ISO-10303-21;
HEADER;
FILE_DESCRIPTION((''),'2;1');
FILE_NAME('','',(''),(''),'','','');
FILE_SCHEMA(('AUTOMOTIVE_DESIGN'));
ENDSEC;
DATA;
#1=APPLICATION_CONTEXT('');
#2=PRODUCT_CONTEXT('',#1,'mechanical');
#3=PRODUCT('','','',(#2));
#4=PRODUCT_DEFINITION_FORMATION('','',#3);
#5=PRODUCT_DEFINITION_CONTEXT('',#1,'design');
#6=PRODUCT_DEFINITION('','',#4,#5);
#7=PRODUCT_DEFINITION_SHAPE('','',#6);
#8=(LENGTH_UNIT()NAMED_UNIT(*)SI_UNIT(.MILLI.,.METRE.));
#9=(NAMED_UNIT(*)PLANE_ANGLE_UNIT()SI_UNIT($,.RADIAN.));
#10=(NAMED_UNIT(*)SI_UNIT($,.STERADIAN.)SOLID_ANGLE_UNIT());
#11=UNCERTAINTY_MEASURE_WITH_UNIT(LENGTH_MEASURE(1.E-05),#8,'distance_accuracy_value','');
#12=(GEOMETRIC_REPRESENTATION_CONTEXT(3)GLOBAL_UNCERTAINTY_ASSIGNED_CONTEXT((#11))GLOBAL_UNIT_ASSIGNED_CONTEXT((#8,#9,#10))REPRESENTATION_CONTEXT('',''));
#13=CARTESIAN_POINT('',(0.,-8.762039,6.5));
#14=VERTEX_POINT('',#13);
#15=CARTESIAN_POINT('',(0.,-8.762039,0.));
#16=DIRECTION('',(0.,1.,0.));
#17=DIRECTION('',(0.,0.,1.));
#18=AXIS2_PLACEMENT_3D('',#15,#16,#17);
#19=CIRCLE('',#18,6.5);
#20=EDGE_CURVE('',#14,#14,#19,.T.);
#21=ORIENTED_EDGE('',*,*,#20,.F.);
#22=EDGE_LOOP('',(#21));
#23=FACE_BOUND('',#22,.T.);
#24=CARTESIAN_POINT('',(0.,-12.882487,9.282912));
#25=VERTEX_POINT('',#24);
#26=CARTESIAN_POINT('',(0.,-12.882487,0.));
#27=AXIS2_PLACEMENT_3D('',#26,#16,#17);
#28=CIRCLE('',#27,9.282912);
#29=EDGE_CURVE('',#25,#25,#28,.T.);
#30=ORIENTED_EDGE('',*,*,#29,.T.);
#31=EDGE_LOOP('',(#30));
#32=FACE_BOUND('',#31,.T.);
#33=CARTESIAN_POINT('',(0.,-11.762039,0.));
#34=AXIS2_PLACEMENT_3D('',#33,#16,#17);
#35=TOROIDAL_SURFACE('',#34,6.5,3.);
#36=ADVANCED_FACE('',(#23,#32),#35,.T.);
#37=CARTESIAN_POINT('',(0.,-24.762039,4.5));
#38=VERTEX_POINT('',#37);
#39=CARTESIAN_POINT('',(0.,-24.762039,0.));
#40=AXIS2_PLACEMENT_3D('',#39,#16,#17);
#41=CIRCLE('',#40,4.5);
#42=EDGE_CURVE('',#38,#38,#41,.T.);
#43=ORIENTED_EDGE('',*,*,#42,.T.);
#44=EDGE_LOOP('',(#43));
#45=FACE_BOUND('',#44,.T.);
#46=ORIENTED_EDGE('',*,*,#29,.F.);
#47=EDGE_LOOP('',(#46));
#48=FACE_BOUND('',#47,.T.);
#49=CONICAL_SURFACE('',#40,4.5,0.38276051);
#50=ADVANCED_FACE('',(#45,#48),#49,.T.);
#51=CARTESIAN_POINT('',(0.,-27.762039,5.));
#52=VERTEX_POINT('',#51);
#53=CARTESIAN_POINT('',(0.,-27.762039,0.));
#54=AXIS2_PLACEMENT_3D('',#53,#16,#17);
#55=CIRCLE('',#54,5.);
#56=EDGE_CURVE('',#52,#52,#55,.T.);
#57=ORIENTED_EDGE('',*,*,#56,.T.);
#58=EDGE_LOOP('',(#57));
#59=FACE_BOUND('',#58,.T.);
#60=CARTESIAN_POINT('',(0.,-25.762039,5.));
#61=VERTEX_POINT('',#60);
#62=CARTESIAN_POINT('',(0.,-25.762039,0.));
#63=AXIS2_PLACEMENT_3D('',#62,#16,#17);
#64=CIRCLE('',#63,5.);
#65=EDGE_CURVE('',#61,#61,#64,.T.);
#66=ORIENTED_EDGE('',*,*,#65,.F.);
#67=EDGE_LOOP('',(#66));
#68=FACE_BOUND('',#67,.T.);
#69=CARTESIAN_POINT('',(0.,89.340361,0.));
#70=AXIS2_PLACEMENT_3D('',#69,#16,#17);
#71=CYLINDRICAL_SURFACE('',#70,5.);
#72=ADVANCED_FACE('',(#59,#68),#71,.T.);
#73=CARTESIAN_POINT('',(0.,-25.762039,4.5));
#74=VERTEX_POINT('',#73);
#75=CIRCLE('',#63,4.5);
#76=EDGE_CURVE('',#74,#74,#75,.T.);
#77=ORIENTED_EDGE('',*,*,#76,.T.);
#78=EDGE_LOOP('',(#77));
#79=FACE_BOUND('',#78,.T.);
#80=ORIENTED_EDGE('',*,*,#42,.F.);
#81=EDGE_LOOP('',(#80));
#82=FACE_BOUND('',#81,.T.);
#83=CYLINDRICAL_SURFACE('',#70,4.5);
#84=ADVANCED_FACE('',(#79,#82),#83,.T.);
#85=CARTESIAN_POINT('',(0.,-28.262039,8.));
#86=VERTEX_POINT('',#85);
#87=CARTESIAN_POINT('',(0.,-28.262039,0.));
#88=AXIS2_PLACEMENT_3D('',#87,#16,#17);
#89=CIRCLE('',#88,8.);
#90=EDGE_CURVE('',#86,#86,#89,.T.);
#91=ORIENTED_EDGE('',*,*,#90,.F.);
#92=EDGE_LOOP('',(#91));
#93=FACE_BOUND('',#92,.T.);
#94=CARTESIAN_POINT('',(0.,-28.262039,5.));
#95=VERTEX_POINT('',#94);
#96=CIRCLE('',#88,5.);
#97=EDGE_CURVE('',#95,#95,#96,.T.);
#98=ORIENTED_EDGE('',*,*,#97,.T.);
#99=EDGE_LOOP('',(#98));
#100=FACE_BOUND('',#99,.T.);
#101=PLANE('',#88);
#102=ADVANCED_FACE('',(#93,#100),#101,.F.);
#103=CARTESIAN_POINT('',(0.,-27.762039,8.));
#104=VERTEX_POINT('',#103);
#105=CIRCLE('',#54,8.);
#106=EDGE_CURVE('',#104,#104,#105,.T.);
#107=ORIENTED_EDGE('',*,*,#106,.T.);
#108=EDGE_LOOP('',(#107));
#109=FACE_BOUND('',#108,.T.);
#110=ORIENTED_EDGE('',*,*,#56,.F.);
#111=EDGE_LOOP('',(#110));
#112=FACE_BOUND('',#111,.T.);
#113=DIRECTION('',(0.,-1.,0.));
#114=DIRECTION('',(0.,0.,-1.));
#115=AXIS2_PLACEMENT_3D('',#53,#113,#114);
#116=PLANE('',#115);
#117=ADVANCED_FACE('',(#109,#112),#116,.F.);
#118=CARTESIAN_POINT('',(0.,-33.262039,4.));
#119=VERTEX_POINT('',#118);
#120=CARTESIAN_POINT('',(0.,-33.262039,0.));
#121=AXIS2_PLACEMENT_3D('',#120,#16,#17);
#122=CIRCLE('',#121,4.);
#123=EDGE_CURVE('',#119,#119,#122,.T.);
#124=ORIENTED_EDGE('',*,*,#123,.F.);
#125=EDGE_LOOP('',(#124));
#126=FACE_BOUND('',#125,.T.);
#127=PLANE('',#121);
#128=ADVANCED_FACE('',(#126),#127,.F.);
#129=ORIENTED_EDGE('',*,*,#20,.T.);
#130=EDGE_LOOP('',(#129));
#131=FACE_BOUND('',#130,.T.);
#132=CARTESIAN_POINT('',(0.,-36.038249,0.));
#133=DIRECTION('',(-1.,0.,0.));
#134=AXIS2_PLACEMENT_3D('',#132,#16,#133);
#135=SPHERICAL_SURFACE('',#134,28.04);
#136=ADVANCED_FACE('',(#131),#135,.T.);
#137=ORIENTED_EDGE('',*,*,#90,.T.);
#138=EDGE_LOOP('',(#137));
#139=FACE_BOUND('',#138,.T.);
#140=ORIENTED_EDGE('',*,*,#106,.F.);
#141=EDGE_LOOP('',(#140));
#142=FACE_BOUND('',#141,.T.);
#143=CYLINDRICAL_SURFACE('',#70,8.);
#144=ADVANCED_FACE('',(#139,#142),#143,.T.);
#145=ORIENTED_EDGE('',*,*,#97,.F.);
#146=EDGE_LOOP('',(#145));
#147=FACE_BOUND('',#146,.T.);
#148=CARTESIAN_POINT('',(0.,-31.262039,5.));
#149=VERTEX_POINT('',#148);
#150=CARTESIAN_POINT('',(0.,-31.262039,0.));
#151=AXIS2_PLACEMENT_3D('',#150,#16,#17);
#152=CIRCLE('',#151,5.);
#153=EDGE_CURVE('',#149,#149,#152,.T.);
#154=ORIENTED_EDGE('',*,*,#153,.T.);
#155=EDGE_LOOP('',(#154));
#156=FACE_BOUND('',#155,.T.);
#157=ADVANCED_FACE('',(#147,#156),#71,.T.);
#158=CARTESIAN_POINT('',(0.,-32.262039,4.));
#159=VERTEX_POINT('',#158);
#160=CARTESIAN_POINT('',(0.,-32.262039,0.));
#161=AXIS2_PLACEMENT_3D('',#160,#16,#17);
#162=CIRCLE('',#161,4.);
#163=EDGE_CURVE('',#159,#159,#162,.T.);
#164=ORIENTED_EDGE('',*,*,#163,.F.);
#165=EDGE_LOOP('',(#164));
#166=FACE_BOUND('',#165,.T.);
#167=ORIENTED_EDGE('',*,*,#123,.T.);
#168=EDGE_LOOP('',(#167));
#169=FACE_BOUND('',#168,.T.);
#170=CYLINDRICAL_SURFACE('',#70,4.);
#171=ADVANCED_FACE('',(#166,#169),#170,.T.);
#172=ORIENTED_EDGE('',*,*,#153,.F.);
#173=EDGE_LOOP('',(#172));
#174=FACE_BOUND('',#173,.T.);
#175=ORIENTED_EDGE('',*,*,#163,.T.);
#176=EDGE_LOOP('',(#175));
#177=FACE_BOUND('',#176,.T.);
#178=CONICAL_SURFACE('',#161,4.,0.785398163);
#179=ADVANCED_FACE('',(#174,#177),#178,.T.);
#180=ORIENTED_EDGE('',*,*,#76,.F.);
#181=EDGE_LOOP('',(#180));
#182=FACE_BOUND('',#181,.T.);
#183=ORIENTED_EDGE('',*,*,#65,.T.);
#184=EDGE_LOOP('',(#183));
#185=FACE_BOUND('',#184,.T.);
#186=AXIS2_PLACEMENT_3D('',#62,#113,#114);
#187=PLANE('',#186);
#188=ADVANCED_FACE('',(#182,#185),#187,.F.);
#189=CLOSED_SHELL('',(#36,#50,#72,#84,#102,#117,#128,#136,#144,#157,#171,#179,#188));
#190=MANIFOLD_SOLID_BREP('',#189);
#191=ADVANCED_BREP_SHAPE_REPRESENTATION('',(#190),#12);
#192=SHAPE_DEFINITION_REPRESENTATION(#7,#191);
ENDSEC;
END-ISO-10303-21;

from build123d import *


with BuildPart() as part:
    # Sketch1 → Revolve1 (revolve)
    with BuildSketch(Plane.XY, mode=Mode.PRIVATE) as revolve1_sk:
        with BuildLine():
            Line((0, -33.262039486), (0, -8.762039486))
            Line((0, -8.762039486), (-6.5, -8.762039486))
            ThreePointArc((-6.5, -8.762039486), (-8.986095711, -10.082953987), (-9.282911506, -12.88248741))
            Line((-9.282911506, -12.88248741), (-4.5, -24.762039486))
            Line((-4.5, -24.762039486), (-4.5, -25.762039486))
            Line((-4.5, -25.762039486), (-5, -25.762039486))
            Line((-5, -25.762039486), (-5, -27.762039486))
            Line((-5, -27.762039486), (-8, -27.762039486))
            Line((-8, -27.762039486), (-8, -28.262039486))
            Line((-8, -28.262039486), (-5, -28.262039486))
            Line((-5, -28.262039486), (-5, -31.262039486))
            Line((-5, -31.262039486), (-4, -32.262039486))
            Line((-4, -32.262039486), (-4, -33.262039486))
            Line((-4, -33.262039486), (0, -33.262039486))
        make_face()
        with BuildLine():
            Line((0, -8.762039486), (0, -7.998248901))
            ThreePointArc((0, -7.998248901), (-3.272360618, -8.189851173), (-6.5, -8.762039486))
            Line((-6.5, -8.762039486), (0, -8.762039486))
        make_face()
    revolve(revolve1_sk.sketch.rotate(Axis((0, 89.34036061, 0), (0, -1, 0)), 270), axis=Axis((0, 89.34036061, 0), (0, -1, 0)))


solid = part.part
